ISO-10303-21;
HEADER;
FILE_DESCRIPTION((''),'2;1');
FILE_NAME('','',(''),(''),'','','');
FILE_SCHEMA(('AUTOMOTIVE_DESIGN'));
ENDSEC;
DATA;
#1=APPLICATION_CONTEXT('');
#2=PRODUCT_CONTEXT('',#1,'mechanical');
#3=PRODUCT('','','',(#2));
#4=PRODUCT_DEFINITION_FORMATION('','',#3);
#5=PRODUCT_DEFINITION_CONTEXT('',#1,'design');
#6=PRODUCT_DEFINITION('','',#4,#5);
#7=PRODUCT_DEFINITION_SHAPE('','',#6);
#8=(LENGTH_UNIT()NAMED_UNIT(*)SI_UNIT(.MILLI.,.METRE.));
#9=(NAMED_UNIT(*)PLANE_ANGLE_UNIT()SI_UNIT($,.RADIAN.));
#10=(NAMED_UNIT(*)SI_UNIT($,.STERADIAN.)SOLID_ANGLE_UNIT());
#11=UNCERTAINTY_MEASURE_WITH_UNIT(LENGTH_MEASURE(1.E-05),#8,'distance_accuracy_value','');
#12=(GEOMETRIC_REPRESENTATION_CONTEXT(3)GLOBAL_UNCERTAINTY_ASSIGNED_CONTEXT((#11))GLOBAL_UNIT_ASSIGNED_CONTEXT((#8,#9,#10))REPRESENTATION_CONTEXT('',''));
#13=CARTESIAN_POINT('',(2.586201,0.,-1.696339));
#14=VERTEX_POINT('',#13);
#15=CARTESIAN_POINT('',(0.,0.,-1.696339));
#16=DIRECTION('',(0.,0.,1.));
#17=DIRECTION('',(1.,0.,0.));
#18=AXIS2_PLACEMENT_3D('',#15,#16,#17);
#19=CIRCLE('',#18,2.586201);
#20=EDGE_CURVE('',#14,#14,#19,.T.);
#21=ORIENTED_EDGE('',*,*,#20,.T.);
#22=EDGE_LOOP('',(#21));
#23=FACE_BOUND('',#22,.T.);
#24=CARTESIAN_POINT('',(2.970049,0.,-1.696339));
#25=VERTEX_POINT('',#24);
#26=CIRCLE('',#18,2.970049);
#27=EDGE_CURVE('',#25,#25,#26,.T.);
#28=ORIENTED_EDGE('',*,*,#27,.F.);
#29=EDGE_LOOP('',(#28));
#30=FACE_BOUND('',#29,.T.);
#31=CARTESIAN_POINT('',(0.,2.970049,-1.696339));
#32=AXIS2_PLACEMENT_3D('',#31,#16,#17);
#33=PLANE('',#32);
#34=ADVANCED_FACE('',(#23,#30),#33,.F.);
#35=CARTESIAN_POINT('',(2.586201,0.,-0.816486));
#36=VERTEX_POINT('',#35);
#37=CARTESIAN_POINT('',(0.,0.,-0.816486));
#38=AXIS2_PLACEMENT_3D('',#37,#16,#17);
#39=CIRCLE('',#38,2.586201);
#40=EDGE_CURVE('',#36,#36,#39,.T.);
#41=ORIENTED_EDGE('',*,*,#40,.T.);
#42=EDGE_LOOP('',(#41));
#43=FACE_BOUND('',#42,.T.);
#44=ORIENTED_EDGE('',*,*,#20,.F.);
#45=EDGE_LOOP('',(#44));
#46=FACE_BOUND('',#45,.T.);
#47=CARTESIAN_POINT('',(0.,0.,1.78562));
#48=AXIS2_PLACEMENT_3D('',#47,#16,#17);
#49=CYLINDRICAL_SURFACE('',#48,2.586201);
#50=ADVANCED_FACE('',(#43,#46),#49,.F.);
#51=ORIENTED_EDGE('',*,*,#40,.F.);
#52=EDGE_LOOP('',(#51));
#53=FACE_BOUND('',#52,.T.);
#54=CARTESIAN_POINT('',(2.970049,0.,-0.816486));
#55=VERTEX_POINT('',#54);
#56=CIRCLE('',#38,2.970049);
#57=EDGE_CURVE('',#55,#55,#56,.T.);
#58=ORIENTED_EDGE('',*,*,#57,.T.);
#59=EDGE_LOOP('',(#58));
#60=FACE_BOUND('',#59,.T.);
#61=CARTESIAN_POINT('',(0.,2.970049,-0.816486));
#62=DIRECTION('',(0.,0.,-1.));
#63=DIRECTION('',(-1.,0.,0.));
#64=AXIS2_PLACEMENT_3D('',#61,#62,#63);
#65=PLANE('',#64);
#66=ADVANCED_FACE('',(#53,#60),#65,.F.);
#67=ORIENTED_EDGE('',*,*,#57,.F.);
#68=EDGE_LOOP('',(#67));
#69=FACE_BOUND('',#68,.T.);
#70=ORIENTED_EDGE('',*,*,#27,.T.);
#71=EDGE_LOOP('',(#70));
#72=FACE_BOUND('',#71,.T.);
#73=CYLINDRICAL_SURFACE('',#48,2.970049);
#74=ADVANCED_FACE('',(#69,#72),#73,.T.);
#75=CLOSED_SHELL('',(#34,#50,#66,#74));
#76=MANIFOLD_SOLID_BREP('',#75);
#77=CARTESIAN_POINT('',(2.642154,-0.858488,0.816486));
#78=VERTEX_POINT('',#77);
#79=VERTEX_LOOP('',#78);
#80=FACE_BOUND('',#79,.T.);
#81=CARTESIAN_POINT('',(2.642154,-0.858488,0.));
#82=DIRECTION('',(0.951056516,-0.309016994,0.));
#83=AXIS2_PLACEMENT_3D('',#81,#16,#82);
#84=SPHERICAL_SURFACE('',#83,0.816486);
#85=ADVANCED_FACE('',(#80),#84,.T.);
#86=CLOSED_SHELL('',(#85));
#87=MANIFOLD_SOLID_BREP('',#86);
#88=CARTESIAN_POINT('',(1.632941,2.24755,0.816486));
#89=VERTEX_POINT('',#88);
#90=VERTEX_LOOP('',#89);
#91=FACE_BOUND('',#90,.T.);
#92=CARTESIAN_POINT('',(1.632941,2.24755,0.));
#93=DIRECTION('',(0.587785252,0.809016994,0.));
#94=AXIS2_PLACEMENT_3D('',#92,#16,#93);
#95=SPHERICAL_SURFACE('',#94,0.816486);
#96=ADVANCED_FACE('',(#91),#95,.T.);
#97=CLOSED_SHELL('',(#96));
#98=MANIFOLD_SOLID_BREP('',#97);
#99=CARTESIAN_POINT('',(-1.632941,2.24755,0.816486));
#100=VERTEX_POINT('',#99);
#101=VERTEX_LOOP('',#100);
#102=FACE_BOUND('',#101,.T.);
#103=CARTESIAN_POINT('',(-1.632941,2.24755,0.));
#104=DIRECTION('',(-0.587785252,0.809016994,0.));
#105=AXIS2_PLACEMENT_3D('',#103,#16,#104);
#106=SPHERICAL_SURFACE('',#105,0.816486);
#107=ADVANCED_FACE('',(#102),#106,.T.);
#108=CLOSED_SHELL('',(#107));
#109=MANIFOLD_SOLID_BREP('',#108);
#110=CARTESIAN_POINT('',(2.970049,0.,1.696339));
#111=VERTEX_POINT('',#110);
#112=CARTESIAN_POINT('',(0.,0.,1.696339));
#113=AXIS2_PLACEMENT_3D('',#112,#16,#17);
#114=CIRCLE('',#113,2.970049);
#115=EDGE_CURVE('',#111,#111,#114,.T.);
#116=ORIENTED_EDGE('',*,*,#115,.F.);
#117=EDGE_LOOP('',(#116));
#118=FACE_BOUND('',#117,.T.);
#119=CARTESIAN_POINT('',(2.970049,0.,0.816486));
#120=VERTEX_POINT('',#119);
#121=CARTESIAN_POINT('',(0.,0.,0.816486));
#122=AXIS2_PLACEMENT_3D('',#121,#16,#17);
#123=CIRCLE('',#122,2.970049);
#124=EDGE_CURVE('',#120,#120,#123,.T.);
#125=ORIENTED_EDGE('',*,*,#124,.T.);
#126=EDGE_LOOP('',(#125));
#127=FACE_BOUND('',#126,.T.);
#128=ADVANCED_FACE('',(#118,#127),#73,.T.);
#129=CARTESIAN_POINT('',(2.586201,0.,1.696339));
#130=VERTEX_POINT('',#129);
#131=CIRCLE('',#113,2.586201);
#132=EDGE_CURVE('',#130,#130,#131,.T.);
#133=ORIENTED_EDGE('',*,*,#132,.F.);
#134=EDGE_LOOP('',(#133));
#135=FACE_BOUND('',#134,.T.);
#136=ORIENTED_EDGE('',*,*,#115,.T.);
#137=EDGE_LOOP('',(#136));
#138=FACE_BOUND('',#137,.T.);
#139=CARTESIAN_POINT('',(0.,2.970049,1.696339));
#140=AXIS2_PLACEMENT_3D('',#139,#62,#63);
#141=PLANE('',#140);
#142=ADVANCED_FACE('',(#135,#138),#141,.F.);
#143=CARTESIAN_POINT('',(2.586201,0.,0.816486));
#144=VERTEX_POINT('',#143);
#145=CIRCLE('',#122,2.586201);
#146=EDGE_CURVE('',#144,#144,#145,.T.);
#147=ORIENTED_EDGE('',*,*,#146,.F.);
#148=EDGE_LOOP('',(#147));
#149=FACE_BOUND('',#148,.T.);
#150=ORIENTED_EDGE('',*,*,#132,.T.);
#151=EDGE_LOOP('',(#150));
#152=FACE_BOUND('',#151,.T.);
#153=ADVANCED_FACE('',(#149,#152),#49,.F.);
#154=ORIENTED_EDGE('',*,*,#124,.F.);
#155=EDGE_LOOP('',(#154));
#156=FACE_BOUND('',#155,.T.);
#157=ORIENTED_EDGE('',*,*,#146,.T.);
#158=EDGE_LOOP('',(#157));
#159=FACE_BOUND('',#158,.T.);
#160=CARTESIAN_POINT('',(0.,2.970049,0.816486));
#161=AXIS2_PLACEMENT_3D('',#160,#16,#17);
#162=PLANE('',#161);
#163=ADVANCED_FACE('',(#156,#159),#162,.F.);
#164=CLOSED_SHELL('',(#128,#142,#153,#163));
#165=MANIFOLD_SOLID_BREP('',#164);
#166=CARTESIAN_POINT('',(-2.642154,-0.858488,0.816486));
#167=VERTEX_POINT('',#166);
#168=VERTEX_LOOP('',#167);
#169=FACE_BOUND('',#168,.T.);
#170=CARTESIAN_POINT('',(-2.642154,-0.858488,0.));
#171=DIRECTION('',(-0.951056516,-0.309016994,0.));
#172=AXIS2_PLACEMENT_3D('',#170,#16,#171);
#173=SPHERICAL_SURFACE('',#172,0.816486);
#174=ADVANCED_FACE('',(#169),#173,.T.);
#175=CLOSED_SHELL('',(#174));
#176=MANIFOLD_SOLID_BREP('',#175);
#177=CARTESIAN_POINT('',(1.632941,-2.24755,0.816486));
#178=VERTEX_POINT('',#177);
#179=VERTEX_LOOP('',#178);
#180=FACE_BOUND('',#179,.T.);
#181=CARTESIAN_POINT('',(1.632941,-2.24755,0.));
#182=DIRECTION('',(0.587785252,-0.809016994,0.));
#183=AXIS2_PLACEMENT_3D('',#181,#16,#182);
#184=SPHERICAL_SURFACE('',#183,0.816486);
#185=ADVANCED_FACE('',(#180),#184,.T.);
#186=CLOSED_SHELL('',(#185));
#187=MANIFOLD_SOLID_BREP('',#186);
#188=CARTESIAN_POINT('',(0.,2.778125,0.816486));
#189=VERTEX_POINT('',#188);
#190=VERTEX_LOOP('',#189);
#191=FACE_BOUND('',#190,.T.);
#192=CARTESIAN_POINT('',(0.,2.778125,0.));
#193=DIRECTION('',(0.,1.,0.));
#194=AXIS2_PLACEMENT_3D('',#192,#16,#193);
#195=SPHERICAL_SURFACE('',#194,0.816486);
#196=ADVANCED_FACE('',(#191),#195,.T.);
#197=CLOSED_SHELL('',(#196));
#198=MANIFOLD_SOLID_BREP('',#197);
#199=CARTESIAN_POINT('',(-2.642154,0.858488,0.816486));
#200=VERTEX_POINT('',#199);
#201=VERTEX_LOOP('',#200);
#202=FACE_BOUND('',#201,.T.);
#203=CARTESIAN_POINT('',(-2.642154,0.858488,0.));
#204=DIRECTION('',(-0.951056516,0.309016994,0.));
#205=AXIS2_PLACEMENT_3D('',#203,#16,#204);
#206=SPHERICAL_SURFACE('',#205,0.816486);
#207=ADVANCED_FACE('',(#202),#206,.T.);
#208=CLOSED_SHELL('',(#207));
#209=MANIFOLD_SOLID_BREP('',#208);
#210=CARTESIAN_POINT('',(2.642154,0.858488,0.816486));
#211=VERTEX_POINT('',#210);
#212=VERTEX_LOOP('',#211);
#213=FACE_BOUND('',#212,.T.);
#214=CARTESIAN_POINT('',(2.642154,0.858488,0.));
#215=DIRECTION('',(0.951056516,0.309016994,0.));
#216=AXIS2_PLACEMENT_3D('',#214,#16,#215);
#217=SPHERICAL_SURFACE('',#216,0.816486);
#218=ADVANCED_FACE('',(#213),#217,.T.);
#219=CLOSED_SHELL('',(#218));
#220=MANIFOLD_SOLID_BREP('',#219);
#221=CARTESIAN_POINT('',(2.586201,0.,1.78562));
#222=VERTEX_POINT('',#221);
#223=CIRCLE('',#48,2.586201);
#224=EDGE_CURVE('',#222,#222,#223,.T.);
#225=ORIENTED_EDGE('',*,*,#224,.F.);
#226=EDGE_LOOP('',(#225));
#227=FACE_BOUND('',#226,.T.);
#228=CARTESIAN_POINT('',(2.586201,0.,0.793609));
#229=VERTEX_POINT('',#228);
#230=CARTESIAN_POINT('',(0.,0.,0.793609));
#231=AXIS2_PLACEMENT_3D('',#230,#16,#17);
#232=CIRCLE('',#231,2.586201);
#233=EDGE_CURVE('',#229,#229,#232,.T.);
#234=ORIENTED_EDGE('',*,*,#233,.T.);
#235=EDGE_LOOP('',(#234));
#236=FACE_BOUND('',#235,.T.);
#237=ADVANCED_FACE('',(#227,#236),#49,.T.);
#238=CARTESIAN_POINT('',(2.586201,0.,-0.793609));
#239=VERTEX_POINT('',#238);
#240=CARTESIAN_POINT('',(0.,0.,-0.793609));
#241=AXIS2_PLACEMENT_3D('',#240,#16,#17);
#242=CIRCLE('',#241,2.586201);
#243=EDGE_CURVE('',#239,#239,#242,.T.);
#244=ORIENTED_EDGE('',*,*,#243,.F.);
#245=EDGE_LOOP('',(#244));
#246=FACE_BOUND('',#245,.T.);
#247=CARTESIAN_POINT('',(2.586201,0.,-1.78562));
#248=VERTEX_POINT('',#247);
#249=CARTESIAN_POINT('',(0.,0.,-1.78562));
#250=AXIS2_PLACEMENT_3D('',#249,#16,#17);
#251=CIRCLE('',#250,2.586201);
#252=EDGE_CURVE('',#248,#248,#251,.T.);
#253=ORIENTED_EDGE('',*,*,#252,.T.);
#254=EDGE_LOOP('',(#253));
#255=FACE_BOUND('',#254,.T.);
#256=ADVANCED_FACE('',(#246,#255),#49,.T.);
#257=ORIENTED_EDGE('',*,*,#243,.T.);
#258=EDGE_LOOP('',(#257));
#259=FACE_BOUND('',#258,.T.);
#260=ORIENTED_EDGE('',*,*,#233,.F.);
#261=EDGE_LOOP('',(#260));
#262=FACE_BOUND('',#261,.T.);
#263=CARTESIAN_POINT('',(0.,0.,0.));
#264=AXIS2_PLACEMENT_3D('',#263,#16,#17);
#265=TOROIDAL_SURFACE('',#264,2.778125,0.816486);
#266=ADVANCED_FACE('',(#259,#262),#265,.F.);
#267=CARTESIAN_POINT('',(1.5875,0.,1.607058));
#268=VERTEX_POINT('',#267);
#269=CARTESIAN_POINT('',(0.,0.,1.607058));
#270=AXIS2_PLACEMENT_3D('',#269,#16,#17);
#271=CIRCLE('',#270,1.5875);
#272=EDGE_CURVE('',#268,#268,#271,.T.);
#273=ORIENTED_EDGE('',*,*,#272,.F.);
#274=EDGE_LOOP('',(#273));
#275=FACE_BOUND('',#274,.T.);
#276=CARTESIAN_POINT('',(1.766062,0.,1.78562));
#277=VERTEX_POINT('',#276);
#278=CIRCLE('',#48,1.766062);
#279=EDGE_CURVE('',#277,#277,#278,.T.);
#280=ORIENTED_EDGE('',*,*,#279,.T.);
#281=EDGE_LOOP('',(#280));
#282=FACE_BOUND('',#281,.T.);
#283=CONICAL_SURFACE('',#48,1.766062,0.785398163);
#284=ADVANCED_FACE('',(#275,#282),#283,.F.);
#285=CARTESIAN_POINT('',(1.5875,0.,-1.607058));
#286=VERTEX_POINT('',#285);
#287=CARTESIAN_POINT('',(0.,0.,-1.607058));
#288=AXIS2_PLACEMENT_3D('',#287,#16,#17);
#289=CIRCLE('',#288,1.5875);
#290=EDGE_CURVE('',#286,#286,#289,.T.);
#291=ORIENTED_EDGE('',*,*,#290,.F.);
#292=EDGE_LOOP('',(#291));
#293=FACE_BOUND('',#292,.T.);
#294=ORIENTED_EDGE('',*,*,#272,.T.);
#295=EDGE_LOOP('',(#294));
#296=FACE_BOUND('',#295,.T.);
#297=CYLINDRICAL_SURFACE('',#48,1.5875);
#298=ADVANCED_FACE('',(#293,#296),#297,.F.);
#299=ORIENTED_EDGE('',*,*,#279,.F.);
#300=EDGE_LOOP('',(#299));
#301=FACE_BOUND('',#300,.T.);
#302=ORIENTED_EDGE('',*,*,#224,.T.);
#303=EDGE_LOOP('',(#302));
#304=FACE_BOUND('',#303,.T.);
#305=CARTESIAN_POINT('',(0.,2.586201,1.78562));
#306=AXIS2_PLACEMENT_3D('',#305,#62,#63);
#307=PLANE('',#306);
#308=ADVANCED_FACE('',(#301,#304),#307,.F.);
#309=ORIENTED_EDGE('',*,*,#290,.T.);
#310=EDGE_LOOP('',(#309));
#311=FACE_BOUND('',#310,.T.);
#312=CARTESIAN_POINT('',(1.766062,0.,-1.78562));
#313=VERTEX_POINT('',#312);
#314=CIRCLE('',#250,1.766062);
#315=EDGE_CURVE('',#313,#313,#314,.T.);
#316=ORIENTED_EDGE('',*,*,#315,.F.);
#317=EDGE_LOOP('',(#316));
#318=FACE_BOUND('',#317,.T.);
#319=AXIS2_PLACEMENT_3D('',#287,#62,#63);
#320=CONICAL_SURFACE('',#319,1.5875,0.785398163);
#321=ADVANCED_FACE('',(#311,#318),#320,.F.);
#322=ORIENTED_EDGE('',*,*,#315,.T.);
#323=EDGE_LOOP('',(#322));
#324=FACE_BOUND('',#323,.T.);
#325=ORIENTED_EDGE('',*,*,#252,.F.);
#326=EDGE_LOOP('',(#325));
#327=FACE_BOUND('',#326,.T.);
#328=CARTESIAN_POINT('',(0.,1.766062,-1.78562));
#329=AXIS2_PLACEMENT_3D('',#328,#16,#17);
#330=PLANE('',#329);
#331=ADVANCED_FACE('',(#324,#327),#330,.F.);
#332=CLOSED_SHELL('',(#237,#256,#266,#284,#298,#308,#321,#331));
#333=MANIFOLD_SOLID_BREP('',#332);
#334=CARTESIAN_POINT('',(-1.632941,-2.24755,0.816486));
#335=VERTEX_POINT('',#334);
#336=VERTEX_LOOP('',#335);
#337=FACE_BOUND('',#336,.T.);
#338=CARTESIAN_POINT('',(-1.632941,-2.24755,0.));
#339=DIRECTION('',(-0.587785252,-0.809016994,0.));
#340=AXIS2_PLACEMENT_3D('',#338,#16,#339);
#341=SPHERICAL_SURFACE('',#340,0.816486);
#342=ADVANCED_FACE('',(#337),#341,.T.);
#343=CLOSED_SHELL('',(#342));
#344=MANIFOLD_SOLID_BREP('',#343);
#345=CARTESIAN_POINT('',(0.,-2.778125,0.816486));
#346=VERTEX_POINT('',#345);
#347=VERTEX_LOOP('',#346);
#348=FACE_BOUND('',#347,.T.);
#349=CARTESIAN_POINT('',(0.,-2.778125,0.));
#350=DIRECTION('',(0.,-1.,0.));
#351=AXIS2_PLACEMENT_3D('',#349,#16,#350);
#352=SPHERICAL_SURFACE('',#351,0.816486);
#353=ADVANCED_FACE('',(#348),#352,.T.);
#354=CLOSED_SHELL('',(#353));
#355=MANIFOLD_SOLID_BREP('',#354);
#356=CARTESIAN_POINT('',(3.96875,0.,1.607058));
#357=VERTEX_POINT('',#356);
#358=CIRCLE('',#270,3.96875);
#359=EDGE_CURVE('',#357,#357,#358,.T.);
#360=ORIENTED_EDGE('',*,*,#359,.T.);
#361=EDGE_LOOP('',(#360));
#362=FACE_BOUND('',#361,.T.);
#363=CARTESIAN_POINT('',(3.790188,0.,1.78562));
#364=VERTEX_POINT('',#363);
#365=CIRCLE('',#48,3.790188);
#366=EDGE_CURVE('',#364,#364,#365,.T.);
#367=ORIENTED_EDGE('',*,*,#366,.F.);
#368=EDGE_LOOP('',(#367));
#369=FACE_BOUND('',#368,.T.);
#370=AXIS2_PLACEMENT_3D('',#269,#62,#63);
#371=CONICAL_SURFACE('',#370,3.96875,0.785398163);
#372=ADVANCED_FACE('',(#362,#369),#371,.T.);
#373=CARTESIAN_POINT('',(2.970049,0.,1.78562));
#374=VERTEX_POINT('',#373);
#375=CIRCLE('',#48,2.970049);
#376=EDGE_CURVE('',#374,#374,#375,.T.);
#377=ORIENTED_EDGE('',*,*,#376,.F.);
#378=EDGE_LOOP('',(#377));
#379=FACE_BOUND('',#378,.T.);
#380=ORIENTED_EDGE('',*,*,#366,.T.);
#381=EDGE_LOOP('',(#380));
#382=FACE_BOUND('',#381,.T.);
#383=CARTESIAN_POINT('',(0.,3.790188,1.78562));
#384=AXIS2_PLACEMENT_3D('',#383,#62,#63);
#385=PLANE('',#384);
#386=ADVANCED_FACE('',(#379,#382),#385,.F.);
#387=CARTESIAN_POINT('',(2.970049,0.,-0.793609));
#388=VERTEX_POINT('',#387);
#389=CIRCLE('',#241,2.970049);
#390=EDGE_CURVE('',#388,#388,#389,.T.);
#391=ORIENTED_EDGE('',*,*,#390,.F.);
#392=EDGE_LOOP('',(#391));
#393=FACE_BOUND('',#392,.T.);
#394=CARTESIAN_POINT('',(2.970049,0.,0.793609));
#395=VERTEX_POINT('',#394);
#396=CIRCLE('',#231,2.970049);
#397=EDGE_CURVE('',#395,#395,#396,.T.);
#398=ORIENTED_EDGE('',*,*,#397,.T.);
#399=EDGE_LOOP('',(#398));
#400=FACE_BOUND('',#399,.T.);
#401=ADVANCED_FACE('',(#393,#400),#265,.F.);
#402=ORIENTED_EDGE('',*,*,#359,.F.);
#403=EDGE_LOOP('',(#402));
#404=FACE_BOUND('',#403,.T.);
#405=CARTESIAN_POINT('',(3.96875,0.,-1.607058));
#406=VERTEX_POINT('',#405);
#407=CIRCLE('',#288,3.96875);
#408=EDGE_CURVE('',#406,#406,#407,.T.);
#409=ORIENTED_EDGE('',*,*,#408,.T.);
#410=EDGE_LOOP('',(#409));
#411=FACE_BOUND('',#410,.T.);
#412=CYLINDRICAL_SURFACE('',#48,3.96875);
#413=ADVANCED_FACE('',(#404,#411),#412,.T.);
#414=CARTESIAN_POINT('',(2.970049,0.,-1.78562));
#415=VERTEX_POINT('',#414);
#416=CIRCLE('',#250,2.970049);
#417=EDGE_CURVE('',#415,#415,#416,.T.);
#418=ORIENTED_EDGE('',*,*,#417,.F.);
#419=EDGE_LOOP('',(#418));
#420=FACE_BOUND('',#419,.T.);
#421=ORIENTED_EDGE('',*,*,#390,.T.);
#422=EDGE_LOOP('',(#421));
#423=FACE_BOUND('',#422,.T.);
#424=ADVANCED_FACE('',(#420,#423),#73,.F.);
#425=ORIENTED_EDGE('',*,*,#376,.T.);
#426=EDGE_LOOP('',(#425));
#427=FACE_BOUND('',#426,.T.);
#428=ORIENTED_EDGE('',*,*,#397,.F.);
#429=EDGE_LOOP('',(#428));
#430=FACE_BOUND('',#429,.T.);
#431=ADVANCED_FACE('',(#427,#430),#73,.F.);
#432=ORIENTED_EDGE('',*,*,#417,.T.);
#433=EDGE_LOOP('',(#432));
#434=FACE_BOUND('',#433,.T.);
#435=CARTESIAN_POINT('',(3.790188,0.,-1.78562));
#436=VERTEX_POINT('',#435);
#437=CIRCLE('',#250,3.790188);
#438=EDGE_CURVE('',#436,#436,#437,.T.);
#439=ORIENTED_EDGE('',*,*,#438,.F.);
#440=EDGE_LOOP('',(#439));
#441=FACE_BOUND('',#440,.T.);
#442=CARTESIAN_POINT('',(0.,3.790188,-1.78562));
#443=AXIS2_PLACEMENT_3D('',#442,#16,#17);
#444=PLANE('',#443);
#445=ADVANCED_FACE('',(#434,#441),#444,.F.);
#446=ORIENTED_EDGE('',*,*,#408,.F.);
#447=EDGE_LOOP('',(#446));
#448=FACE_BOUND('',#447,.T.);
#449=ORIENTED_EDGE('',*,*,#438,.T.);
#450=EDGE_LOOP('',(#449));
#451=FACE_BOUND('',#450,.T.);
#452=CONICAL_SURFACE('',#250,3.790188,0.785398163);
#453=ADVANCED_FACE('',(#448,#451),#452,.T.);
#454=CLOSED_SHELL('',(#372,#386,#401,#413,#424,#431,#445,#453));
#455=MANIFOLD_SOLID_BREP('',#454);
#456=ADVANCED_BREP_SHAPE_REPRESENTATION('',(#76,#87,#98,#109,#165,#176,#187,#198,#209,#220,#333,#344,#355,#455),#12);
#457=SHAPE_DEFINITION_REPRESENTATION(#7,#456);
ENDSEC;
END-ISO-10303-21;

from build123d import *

# Parameters (mm, degrees)
CIRPATTERN1_COUNT = 10
SKETCH5_W         = 0.879852806
SKETCH5_H         = 0.383847032


with BuildPart() as part:
    # Sketch1 → Revolve1 (revolve)
    with BuildSketch(Plane(origin=(0, 0, 0), x_dir=(0, 0, -1), z_dir=(1, 0, 0))):
        with BuildLine():
            Line((1.607058, 3.96875), (-1.607058, 3.96875))
            Line((-1.607058, 3.96875), (-1.78562, 3.790188))
            Line((-1.78562, 3.790188), (-1.78562, 2.970048516))
            Line((-1.78562, 2.970048516), (-0.793608889, 2.970048516))
            ThreePointArc((-0.793608889, 2.970048516), (0, 3.594611194), (0.793608889, 2.970048516))
            Line((0.793608889, 2.970048516), (1.78562, 2.970048516))
            Line((1.78562, 2.970048516), (1.78562, 3.790188))
            Line((1.78562, 3.790188), (1.607058, 3.96875))
        make_face()
    revolve(axis=Axis((0, 0, 1.78562), (0, 0, -1)))


with BuildPart() as body_2:
    # Sketch3 → Revolve3 (revolve)
    with BuildSketch(Plane(origin=(0, 0, 0), x_dir=(0, 0, -1), z_dir=(1, 0, 0))):
        with BuildLine():
            Line((-0.793608889, 2.586201484), (-1.78562, 2.586201484))
            Line((-1.78562, 2.586201484), (-1.78562, 1.766062))
            Line((-1.78562, 1.766062), (-1.607058, 1.5875))
            Line((-1.607058, 1.5875), (1.607058, 1.5875))
            Line((1.607058, 1.5875), (1.78562, 1.766062))
            Line((1.78562, 1.766062), (1.78562, 2.586201484))
            Line((1.78562, 2.586201484), (0.793608889, 2.586201484))
            ThreePointArc((0.793608889, 2.586201484), (0, 1.961638806), (-0.793608889, 2.586201484))
        make_face()
    revolve(axis=Axis((0, 0, 1.78562), (0, 0, -1)))


with BuildPart() as body_3:
    # Sketch4 → Revolve4 (revolve)
    with BuildSketch(Plane(origin=(0, 0, 0), x_dir=(0, 0, -1), z_dir=(1, 0, 0))):
        with BuildLine():
            Line((-0.816486194, 2.778125), (0.816486194, 2.778125))
            ThreePointArc((0.816486194, 2.778125), (0, 3.594611194), (-0.816486194, 2.778125))
        make_face()
    revolve(axis=Axis((0, 2.778125, 0.816486194), (0, 0, -1)))


with BuildPart() as cirpattern1_1:
    # CirPattern1: pattern copy
    add(body_3.part.rotate(Axis((0, 0, -1.78562), (0, 0, 1)), 1 * 360 / CIRPATTERN1_COUNT))


with BuildPart() as cirpattern1_2:
    # CirPattern1: pattern copy
    add(body_3.part.rotate(Axis((0, 0, -1.78562), (0, 0, 1)), 2 * 360 / CIRPATTERN1_COUNT))


with BuildPart() as cirpattern1_3:
    # CirPattern1: pattern copy
    add(body_3.part.rotate(Axis((0, 0, -1.78562), (0, 0, 1)), 3 * 360 / CIRPATTERN1_COUNT))


with BuildPart() as cirpattern1_4:
    # CirPattern1: pattern copy
    add(body_3.part.rotate(Axis((0, 0, -1.78562), (0, 0, 1)), 4 * 360 / CIRPATTERN1_COUNT))


with BuildPart() as cirpattern1_5:
    # CirPattern1: pattern copy
    add(body_3.part.rotate(Axis((0, 0, -1.78562), (0, 0, 1)), 5 * 360 / CIRPATTERN1_COUNT))


with BuildPart() as cirpattern1_6:
    # CirPattern1: pattern copy
    add(body_3.part.rotate(Axis((0, 0, -1.78562), (0, 0, 1)), 6 * 360 / CIRPATTERN1_COUNT))


with BuildPart() as cirpattern1_7:
    # CirPattern1: pattern copy
    add(body_3.part.rotate(Axis((0, 0, -1.78562), (0, 0, 1)), 7 * 360 / CIRPATTERN1_COUNT))


with BuildPart() as cirpattern1_8:
    # CirPattern1: pattern copy
    add(body_3.part.rotate(Axis((0, 0, -1.78562), (0, 0, 1)), 8 * 360 / CIRPATTERN1_COUNT))


with BuildPart() as cirpattern1_9:
    # CirPattern1: pattern copy
    add(body_3.part.rotate(Axis((0, 0, -1.78562), (0, 0, 1)), 9 * 360 / CIRPATTERN1_COUNT))


with BuildPart() as body_13:
    # Sketch5 → Revolve5 (revolve)
    with BuildSketch(Plane(origin=(0, 0, 0), x_dir=(0, 0, -1), z_dir=(1, 0, 0))):
        with Locations((-1.256412597, 2.778125)):
            Rectangle(SKETCH5_W, SKETCH5_H)
        with Locations((1.256412597, 2.778125)):
            Rectangle(SKETCH5_W, SKETCH5_H)
    revolve(axis=Axis((0, 0, 1.78562), (0, 0, -1)))


solid = Compound([part.part, body_2.part, body_3.part, cirpattern1_1.part, cirpattern1_2.part, cirpattern1_3.part, cirpattern1_4.part, cirpattern1_5.part, cirpattern1_6.part, cirpattern1_7.part, cirpattern1_8.part, cirpattern1_9.part, body_13.part])
